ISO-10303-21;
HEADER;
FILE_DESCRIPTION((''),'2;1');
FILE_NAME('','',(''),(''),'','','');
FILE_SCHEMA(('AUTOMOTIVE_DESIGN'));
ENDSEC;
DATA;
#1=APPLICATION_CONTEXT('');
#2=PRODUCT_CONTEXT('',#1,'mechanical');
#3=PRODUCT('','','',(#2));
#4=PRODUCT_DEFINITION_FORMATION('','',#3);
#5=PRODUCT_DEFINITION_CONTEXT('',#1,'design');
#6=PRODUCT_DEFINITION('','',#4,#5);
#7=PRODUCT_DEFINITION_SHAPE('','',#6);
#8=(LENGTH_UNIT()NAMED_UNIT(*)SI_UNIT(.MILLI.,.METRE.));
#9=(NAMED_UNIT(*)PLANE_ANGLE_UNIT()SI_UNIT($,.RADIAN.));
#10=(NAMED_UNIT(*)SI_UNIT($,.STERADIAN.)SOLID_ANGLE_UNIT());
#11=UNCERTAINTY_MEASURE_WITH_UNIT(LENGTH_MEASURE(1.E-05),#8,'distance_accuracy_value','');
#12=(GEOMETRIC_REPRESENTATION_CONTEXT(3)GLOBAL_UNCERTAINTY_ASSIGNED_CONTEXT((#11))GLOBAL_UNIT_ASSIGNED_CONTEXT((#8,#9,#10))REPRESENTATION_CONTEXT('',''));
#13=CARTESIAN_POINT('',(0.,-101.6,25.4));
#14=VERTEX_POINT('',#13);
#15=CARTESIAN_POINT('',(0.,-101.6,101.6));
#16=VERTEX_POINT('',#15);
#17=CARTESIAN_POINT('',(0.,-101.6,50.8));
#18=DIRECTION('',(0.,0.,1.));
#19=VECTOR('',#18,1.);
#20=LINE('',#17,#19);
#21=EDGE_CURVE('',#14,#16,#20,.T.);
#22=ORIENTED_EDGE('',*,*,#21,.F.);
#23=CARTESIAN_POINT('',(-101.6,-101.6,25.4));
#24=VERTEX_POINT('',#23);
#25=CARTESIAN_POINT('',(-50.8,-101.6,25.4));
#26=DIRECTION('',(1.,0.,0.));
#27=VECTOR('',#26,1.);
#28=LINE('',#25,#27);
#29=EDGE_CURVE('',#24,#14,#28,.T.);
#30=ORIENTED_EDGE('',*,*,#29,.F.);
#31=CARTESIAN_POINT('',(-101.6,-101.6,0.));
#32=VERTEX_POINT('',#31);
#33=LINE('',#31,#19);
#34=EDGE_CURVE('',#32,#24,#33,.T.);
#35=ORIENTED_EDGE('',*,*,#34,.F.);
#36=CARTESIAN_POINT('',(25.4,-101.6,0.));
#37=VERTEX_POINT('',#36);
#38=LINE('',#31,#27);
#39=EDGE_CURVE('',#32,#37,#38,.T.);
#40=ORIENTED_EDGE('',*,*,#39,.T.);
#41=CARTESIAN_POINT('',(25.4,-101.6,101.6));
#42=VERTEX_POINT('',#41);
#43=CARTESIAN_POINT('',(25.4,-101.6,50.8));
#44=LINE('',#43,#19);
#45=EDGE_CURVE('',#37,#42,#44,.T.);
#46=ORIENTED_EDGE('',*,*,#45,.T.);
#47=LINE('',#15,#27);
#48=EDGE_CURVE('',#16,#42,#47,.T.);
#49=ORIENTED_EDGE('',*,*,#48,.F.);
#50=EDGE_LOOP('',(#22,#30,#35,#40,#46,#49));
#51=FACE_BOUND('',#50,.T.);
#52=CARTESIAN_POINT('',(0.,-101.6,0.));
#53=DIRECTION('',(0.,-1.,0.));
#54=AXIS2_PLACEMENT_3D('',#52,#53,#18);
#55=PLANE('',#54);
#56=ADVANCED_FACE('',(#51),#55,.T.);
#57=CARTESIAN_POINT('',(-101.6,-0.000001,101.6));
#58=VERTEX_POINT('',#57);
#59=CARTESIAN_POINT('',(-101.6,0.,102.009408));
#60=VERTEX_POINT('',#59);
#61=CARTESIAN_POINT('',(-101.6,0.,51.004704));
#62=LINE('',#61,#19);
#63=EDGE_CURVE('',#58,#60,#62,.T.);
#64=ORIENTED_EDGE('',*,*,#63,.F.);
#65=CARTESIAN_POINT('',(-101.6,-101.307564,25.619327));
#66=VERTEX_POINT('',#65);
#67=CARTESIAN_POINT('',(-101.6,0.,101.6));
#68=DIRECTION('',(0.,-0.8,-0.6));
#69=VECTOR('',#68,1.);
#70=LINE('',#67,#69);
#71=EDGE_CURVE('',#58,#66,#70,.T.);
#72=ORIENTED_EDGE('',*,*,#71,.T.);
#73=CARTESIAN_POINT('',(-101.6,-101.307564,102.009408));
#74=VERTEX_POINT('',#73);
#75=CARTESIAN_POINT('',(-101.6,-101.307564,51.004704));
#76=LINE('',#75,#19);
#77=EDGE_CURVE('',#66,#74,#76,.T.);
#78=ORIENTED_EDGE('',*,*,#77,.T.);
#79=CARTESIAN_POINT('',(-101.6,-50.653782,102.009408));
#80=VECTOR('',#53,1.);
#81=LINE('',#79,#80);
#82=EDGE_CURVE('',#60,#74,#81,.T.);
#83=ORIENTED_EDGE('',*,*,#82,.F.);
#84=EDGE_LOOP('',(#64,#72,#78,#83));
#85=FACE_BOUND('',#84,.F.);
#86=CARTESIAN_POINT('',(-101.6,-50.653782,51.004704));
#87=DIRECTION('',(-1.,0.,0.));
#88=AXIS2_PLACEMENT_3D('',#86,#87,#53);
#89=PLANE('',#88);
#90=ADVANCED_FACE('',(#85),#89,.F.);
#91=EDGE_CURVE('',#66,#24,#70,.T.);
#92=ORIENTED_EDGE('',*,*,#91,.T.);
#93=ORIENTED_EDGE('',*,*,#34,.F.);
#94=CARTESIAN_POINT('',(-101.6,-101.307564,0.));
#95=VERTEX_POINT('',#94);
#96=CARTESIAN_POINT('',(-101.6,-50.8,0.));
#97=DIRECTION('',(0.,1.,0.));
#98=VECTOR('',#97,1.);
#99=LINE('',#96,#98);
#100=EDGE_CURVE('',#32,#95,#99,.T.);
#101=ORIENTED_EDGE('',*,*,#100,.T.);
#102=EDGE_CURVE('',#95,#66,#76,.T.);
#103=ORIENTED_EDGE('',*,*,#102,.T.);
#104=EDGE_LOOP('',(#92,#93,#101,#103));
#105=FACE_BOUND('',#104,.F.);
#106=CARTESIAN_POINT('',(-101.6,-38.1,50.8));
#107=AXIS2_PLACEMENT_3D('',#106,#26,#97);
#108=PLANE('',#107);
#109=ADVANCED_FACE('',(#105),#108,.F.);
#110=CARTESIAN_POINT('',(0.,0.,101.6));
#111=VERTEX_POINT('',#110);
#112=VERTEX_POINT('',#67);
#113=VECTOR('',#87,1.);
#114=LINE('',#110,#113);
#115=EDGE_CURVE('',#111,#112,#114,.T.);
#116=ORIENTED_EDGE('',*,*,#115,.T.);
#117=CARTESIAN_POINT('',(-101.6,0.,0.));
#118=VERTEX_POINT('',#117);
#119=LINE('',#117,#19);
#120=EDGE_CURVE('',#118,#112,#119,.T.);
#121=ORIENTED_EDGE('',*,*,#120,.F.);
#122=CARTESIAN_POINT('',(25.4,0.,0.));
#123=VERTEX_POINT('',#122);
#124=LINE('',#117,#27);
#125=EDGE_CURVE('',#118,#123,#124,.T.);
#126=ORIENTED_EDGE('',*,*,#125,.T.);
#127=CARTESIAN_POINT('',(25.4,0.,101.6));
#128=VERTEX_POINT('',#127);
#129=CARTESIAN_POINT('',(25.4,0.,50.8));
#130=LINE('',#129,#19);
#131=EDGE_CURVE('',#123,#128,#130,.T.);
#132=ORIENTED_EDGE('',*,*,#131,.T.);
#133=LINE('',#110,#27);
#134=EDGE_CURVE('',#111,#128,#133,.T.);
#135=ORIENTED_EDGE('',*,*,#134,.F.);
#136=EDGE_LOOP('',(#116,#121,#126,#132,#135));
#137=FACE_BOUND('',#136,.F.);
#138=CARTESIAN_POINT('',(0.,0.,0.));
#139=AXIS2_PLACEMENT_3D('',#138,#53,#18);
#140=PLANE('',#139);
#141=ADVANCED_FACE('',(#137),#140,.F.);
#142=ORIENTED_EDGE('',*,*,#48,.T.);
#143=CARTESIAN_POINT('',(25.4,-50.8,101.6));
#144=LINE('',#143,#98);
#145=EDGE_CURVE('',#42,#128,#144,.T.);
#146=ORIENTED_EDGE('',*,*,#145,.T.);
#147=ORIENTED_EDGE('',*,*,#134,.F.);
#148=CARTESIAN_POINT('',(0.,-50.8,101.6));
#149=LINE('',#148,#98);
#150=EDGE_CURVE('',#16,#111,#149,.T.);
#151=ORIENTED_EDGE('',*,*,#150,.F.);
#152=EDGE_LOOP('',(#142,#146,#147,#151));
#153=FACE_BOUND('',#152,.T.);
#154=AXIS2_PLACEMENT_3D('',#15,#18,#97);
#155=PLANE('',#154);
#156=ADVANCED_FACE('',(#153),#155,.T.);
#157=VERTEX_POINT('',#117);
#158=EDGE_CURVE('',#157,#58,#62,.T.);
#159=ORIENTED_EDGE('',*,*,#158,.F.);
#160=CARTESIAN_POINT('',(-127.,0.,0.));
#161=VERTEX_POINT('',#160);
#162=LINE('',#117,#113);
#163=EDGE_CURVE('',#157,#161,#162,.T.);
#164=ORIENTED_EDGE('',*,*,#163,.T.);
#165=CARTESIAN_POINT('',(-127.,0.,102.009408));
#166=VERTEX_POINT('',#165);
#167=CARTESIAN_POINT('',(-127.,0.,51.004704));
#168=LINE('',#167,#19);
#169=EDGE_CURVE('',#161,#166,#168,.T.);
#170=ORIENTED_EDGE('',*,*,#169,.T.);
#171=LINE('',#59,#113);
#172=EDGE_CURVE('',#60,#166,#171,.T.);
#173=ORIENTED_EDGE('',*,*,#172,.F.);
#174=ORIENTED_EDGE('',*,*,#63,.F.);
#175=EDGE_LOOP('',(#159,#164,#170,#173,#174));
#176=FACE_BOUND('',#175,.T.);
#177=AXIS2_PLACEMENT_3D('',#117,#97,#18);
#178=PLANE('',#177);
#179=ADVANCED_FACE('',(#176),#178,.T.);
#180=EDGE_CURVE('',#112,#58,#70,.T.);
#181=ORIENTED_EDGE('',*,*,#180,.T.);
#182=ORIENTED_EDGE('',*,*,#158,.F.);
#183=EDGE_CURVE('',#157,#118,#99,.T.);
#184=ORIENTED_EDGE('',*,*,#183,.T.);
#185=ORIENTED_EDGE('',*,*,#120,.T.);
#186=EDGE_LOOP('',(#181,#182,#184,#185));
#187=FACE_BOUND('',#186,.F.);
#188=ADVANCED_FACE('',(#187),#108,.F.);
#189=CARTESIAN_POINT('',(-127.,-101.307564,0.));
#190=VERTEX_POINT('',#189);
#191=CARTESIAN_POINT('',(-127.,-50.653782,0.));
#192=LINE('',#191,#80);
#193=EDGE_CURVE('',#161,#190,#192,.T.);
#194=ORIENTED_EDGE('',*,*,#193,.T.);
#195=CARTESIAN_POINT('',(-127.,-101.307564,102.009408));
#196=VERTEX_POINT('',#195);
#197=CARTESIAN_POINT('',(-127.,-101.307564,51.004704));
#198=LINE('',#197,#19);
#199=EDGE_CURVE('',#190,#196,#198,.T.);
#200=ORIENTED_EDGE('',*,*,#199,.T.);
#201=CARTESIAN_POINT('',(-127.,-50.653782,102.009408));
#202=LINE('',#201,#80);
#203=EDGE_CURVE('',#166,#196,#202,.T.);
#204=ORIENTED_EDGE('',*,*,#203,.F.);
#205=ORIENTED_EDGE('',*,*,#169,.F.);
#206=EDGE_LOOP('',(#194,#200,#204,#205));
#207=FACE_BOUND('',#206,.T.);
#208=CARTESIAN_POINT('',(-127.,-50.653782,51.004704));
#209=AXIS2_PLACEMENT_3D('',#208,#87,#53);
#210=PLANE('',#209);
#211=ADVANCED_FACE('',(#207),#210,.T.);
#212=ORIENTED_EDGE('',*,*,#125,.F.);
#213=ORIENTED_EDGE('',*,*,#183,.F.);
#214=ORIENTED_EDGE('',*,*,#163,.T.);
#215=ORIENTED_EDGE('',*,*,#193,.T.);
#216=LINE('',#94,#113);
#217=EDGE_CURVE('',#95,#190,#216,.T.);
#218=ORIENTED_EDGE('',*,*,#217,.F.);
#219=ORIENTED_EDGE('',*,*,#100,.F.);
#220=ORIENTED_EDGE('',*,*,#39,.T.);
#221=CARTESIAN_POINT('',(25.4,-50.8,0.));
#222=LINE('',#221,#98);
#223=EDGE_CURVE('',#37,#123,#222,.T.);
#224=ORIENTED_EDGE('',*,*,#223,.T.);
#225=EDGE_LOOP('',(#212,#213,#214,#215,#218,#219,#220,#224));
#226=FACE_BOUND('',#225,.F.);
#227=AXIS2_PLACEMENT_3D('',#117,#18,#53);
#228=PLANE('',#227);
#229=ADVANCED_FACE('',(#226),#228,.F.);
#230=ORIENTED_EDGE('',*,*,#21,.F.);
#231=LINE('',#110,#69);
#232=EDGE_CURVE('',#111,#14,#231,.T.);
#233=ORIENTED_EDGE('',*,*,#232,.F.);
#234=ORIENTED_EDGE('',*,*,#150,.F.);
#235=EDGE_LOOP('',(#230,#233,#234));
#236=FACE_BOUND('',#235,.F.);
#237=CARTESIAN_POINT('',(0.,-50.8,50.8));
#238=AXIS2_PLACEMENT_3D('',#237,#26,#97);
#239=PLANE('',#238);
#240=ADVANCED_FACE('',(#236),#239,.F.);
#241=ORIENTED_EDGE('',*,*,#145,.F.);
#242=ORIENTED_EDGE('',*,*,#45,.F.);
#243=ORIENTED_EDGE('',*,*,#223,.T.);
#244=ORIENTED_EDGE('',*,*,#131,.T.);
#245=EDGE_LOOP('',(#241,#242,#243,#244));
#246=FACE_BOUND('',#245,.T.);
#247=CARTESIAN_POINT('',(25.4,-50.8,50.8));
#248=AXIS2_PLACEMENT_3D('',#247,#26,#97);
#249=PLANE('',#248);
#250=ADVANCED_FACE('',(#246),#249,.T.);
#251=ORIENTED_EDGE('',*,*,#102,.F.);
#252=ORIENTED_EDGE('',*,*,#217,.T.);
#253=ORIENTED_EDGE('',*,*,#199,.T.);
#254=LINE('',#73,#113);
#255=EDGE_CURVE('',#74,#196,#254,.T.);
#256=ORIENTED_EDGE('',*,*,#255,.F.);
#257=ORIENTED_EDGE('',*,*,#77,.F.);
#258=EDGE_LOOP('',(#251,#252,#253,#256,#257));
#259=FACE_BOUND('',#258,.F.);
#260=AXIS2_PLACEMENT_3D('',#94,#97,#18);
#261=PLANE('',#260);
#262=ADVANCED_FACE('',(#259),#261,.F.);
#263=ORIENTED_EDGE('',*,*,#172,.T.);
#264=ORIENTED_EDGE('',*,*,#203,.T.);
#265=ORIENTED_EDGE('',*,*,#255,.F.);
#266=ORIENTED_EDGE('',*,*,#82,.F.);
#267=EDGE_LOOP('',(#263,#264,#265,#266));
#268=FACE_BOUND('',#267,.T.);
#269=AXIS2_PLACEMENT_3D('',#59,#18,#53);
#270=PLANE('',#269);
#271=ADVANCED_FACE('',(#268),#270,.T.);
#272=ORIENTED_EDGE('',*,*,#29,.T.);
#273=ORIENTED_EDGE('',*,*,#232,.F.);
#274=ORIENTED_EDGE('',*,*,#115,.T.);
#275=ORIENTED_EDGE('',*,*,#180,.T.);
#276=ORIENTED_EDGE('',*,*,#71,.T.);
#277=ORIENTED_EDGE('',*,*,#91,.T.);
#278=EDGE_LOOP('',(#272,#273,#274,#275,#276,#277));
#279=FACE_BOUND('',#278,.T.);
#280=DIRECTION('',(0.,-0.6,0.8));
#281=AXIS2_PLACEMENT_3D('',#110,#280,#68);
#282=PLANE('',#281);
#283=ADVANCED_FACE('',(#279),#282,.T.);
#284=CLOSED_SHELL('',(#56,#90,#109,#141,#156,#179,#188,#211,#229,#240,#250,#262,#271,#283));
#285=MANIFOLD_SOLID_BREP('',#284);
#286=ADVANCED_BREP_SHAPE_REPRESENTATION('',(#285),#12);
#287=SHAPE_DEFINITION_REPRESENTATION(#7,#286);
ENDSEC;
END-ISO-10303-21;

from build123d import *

# Parameters (mm, degrees)
F0_W     = 101.6
F0_H     = 101.6
F1_DEPTH = 25.4
F3_DEPTH = 101.6
F4_W     = 101.6
F4_H     = 101.6
F5_DEPTH = 25.4
F6_W     = 101.307563
F6_H     = 102.009408
F7_DEPTH = 25.4


with BuildPart() as f1:
    # F0 (on Top) → F1 (new body)
    with BuildSketch(Plane.XY):
        with Locations((-50.8, -50.8)):
            Rectangle(F0_W, F0_H)
    extrude(amount=F1_DEPTH)

    # F2 (on face) → F3 (join)
    with BuildSketch(Plane.YZ):
        Polygon((-101.6, 25.4), (0, 25.4), (0, 101.6), align=None)
    extrude(amount=-F3_DEPTH)

    # F4 (on face) → F5 (join)
    with BuildSketch(Plane.YZ):
        with Locations((-50.8, 50.8)):
            Rectangle(F4_W, F4_H)
    extrude(amount=F5_DEPTH)

    # F6 (on face) → F7 (join)
    with BuildSketch(Plane(origin=(-101.6, 0, 0), x_dir=(0, -1, 0), z_dir=(-1, 0, 0))):
        with Locations((50.653782, 51.004704)):
            Rectangle(F6_W, F6_H)
    extrude(amount=F7_DEPTH)


solid = f1.part
